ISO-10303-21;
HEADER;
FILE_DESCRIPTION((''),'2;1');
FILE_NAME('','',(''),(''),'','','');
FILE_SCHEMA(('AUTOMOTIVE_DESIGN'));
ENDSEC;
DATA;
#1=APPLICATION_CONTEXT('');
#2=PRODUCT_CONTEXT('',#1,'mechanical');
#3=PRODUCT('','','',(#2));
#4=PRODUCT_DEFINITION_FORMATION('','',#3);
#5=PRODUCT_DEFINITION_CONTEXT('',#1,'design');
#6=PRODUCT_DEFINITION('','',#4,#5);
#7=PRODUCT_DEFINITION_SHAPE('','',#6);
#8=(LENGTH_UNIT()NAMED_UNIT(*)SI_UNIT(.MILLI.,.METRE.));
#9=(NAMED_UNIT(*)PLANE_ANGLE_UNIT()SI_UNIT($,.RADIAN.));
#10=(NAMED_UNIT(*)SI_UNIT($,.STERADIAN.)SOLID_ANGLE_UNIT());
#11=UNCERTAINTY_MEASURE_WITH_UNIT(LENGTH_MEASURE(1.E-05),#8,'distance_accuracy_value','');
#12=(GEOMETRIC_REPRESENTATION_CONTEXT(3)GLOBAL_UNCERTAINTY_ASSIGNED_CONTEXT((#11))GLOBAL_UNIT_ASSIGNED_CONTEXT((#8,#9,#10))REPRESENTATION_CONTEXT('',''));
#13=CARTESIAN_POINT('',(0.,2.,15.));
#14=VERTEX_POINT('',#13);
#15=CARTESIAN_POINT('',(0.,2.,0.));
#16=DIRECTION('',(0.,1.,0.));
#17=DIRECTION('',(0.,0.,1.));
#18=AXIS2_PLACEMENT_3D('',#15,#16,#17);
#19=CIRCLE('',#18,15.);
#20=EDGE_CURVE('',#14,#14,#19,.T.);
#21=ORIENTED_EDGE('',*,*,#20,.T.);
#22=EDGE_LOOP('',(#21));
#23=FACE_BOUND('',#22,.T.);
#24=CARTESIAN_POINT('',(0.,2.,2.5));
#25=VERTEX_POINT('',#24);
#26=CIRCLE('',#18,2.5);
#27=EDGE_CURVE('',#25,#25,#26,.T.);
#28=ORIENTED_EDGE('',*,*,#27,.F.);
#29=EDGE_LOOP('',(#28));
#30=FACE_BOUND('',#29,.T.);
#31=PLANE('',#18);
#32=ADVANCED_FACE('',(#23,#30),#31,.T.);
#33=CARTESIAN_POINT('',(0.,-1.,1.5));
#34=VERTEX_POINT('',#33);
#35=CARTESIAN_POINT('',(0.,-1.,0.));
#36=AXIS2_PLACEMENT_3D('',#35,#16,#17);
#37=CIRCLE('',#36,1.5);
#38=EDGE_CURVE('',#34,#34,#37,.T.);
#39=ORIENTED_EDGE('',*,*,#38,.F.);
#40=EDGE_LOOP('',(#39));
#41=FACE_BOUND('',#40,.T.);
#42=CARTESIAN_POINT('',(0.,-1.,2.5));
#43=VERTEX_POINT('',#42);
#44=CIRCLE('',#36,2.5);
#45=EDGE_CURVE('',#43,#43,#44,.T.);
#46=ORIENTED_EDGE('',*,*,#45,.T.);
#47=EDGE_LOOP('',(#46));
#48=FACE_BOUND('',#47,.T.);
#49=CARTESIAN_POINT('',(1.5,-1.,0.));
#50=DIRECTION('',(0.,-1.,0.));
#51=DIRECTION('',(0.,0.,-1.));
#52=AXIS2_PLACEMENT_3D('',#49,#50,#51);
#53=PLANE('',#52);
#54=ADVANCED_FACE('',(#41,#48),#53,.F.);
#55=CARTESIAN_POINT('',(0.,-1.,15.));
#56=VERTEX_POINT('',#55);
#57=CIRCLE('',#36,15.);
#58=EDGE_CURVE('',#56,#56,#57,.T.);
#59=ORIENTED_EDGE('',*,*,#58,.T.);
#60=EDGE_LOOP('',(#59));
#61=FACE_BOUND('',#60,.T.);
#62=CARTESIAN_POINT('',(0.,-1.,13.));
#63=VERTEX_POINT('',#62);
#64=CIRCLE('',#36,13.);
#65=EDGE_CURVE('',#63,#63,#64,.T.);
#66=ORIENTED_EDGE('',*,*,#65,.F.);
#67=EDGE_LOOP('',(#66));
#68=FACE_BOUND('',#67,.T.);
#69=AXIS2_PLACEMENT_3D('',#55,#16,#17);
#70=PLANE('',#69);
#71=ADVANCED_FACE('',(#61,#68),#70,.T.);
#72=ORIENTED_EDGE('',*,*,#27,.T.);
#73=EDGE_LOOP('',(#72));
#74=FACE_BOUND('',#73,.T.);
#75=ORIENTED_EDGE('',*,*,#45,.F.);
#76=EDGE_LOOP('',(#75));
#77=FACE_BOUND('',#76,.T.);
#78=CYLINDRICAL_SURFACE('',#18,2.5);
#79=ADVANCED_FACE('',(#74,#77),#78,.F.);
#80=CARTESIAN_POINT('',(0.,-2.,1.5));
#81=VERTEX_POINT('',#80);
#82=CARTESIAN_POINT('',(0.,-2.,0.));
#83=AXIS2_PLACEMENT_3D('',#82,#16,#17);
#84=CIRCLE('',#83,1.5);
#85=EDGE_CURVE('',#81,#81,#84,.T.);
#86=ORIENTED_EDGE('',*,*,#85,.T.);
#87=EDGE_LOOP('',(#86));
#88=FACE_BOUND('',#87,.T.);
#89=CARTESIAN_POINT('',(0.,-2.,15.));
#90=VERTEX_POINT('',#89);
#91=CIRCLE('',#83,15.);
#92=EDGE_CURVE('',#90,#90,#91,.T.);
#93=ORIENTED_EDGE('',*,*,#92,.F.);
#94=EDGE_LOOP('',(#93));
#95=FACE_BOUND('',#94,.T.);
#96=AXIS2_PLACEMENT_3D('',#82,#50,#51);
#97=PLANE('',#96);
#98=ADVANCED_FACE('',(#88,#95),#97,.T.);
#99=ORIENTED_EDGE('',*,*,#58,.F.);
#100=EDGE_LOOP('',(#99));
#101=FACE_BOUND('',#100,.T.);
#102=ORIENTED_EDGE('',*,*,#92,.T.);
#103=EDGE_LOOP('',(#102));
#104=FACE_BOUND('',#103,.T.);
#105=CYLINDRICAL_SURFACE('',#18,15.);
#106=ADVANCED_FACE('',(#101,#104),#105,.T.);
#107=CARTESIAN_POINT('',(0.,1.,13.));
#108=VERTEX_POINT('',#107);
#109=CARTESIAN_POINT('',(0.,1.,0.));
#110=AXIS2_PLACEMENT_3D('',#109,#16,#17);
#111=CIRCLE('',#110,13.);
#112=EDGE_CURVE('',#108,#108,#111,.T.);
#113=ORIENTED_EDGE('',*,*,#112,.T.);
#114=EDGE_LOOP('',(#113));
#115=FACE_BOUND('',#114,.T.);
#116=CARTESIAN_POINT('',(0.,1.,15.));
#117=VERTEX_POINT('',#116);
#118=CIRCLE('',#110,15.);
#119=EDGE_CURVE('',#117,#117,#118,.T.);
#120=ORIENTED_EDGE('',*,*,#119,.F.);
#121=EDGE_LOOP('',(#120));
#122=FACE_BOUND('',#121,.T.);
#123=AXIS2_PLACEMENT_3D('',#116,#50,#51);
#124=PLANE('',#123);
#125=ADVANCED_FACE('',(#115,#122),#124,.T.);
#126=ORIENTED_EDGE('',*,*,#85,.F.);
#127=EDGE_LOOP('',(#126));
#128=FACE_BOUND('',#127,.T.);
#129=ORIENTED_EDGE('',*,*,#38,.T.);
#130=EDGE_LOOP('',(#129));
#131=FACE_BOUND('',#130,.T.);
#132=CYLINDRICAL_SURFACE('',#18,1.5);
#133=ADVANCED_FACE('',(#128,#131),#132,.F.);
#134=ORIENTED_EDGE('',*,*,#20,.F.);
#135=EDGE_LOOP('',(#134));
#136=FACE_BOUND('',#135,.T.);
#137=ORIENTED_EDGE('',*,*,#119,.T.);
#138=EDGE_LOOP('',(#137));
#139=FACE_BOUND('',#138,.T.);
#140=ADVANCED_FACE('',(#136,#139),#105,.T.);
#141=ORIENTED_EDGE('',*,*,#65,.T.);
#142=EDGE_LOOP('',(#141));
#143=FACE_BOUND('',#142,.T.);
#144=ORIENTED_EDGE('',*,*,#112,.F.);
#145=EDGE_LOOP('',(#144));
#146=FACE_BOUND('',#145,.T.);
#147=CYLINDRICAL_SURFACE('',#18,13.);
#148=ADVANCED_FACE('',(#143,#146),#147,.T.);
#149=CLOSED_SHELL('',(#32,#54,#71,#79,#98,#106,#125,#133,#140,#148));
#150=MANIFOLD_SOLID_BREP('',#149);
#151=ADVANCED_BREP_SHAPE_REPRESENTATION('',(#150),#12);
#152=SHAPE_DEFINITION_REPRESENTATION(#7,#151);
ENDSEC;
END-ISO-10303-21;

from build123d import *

# Parameters (mm, degrees)
PER_AGE1_D           = 3
PER_AGE1_CBORE_D     = 5
PER_AGE1_CBORE_DEPTH = 3


with BuildPart() as part:
    # Esquisse1 → Révolution1 (revolve)
    with BuildSketch(Plane(origin=(0, 0, 0), x_dir=(0, 0, -1), z_dir=(1, 0, 0))):
        Polygon((0, 2), (-15, 2), (-15, 1), (-13, 1), (-13, -1), (-15, -1), (-15, -2), (0, -2), align=None)
    revolve(axis=Axis((0, 2, 0), (0, -1, 0)))

    # Perçage1 (through all)
    with Locations(Plane(origin=(0, 2, 0), x_dir=(1, 0, 0), z_dir=(0, 1, 0))):
        with Locations((0, 0)):
            CounterBoreHole(PER_AGE1_D / 2, PER_AGE1_CBORE_D / 2, PER_AGE1_CBORE_DEPTH)


solid = part.part
